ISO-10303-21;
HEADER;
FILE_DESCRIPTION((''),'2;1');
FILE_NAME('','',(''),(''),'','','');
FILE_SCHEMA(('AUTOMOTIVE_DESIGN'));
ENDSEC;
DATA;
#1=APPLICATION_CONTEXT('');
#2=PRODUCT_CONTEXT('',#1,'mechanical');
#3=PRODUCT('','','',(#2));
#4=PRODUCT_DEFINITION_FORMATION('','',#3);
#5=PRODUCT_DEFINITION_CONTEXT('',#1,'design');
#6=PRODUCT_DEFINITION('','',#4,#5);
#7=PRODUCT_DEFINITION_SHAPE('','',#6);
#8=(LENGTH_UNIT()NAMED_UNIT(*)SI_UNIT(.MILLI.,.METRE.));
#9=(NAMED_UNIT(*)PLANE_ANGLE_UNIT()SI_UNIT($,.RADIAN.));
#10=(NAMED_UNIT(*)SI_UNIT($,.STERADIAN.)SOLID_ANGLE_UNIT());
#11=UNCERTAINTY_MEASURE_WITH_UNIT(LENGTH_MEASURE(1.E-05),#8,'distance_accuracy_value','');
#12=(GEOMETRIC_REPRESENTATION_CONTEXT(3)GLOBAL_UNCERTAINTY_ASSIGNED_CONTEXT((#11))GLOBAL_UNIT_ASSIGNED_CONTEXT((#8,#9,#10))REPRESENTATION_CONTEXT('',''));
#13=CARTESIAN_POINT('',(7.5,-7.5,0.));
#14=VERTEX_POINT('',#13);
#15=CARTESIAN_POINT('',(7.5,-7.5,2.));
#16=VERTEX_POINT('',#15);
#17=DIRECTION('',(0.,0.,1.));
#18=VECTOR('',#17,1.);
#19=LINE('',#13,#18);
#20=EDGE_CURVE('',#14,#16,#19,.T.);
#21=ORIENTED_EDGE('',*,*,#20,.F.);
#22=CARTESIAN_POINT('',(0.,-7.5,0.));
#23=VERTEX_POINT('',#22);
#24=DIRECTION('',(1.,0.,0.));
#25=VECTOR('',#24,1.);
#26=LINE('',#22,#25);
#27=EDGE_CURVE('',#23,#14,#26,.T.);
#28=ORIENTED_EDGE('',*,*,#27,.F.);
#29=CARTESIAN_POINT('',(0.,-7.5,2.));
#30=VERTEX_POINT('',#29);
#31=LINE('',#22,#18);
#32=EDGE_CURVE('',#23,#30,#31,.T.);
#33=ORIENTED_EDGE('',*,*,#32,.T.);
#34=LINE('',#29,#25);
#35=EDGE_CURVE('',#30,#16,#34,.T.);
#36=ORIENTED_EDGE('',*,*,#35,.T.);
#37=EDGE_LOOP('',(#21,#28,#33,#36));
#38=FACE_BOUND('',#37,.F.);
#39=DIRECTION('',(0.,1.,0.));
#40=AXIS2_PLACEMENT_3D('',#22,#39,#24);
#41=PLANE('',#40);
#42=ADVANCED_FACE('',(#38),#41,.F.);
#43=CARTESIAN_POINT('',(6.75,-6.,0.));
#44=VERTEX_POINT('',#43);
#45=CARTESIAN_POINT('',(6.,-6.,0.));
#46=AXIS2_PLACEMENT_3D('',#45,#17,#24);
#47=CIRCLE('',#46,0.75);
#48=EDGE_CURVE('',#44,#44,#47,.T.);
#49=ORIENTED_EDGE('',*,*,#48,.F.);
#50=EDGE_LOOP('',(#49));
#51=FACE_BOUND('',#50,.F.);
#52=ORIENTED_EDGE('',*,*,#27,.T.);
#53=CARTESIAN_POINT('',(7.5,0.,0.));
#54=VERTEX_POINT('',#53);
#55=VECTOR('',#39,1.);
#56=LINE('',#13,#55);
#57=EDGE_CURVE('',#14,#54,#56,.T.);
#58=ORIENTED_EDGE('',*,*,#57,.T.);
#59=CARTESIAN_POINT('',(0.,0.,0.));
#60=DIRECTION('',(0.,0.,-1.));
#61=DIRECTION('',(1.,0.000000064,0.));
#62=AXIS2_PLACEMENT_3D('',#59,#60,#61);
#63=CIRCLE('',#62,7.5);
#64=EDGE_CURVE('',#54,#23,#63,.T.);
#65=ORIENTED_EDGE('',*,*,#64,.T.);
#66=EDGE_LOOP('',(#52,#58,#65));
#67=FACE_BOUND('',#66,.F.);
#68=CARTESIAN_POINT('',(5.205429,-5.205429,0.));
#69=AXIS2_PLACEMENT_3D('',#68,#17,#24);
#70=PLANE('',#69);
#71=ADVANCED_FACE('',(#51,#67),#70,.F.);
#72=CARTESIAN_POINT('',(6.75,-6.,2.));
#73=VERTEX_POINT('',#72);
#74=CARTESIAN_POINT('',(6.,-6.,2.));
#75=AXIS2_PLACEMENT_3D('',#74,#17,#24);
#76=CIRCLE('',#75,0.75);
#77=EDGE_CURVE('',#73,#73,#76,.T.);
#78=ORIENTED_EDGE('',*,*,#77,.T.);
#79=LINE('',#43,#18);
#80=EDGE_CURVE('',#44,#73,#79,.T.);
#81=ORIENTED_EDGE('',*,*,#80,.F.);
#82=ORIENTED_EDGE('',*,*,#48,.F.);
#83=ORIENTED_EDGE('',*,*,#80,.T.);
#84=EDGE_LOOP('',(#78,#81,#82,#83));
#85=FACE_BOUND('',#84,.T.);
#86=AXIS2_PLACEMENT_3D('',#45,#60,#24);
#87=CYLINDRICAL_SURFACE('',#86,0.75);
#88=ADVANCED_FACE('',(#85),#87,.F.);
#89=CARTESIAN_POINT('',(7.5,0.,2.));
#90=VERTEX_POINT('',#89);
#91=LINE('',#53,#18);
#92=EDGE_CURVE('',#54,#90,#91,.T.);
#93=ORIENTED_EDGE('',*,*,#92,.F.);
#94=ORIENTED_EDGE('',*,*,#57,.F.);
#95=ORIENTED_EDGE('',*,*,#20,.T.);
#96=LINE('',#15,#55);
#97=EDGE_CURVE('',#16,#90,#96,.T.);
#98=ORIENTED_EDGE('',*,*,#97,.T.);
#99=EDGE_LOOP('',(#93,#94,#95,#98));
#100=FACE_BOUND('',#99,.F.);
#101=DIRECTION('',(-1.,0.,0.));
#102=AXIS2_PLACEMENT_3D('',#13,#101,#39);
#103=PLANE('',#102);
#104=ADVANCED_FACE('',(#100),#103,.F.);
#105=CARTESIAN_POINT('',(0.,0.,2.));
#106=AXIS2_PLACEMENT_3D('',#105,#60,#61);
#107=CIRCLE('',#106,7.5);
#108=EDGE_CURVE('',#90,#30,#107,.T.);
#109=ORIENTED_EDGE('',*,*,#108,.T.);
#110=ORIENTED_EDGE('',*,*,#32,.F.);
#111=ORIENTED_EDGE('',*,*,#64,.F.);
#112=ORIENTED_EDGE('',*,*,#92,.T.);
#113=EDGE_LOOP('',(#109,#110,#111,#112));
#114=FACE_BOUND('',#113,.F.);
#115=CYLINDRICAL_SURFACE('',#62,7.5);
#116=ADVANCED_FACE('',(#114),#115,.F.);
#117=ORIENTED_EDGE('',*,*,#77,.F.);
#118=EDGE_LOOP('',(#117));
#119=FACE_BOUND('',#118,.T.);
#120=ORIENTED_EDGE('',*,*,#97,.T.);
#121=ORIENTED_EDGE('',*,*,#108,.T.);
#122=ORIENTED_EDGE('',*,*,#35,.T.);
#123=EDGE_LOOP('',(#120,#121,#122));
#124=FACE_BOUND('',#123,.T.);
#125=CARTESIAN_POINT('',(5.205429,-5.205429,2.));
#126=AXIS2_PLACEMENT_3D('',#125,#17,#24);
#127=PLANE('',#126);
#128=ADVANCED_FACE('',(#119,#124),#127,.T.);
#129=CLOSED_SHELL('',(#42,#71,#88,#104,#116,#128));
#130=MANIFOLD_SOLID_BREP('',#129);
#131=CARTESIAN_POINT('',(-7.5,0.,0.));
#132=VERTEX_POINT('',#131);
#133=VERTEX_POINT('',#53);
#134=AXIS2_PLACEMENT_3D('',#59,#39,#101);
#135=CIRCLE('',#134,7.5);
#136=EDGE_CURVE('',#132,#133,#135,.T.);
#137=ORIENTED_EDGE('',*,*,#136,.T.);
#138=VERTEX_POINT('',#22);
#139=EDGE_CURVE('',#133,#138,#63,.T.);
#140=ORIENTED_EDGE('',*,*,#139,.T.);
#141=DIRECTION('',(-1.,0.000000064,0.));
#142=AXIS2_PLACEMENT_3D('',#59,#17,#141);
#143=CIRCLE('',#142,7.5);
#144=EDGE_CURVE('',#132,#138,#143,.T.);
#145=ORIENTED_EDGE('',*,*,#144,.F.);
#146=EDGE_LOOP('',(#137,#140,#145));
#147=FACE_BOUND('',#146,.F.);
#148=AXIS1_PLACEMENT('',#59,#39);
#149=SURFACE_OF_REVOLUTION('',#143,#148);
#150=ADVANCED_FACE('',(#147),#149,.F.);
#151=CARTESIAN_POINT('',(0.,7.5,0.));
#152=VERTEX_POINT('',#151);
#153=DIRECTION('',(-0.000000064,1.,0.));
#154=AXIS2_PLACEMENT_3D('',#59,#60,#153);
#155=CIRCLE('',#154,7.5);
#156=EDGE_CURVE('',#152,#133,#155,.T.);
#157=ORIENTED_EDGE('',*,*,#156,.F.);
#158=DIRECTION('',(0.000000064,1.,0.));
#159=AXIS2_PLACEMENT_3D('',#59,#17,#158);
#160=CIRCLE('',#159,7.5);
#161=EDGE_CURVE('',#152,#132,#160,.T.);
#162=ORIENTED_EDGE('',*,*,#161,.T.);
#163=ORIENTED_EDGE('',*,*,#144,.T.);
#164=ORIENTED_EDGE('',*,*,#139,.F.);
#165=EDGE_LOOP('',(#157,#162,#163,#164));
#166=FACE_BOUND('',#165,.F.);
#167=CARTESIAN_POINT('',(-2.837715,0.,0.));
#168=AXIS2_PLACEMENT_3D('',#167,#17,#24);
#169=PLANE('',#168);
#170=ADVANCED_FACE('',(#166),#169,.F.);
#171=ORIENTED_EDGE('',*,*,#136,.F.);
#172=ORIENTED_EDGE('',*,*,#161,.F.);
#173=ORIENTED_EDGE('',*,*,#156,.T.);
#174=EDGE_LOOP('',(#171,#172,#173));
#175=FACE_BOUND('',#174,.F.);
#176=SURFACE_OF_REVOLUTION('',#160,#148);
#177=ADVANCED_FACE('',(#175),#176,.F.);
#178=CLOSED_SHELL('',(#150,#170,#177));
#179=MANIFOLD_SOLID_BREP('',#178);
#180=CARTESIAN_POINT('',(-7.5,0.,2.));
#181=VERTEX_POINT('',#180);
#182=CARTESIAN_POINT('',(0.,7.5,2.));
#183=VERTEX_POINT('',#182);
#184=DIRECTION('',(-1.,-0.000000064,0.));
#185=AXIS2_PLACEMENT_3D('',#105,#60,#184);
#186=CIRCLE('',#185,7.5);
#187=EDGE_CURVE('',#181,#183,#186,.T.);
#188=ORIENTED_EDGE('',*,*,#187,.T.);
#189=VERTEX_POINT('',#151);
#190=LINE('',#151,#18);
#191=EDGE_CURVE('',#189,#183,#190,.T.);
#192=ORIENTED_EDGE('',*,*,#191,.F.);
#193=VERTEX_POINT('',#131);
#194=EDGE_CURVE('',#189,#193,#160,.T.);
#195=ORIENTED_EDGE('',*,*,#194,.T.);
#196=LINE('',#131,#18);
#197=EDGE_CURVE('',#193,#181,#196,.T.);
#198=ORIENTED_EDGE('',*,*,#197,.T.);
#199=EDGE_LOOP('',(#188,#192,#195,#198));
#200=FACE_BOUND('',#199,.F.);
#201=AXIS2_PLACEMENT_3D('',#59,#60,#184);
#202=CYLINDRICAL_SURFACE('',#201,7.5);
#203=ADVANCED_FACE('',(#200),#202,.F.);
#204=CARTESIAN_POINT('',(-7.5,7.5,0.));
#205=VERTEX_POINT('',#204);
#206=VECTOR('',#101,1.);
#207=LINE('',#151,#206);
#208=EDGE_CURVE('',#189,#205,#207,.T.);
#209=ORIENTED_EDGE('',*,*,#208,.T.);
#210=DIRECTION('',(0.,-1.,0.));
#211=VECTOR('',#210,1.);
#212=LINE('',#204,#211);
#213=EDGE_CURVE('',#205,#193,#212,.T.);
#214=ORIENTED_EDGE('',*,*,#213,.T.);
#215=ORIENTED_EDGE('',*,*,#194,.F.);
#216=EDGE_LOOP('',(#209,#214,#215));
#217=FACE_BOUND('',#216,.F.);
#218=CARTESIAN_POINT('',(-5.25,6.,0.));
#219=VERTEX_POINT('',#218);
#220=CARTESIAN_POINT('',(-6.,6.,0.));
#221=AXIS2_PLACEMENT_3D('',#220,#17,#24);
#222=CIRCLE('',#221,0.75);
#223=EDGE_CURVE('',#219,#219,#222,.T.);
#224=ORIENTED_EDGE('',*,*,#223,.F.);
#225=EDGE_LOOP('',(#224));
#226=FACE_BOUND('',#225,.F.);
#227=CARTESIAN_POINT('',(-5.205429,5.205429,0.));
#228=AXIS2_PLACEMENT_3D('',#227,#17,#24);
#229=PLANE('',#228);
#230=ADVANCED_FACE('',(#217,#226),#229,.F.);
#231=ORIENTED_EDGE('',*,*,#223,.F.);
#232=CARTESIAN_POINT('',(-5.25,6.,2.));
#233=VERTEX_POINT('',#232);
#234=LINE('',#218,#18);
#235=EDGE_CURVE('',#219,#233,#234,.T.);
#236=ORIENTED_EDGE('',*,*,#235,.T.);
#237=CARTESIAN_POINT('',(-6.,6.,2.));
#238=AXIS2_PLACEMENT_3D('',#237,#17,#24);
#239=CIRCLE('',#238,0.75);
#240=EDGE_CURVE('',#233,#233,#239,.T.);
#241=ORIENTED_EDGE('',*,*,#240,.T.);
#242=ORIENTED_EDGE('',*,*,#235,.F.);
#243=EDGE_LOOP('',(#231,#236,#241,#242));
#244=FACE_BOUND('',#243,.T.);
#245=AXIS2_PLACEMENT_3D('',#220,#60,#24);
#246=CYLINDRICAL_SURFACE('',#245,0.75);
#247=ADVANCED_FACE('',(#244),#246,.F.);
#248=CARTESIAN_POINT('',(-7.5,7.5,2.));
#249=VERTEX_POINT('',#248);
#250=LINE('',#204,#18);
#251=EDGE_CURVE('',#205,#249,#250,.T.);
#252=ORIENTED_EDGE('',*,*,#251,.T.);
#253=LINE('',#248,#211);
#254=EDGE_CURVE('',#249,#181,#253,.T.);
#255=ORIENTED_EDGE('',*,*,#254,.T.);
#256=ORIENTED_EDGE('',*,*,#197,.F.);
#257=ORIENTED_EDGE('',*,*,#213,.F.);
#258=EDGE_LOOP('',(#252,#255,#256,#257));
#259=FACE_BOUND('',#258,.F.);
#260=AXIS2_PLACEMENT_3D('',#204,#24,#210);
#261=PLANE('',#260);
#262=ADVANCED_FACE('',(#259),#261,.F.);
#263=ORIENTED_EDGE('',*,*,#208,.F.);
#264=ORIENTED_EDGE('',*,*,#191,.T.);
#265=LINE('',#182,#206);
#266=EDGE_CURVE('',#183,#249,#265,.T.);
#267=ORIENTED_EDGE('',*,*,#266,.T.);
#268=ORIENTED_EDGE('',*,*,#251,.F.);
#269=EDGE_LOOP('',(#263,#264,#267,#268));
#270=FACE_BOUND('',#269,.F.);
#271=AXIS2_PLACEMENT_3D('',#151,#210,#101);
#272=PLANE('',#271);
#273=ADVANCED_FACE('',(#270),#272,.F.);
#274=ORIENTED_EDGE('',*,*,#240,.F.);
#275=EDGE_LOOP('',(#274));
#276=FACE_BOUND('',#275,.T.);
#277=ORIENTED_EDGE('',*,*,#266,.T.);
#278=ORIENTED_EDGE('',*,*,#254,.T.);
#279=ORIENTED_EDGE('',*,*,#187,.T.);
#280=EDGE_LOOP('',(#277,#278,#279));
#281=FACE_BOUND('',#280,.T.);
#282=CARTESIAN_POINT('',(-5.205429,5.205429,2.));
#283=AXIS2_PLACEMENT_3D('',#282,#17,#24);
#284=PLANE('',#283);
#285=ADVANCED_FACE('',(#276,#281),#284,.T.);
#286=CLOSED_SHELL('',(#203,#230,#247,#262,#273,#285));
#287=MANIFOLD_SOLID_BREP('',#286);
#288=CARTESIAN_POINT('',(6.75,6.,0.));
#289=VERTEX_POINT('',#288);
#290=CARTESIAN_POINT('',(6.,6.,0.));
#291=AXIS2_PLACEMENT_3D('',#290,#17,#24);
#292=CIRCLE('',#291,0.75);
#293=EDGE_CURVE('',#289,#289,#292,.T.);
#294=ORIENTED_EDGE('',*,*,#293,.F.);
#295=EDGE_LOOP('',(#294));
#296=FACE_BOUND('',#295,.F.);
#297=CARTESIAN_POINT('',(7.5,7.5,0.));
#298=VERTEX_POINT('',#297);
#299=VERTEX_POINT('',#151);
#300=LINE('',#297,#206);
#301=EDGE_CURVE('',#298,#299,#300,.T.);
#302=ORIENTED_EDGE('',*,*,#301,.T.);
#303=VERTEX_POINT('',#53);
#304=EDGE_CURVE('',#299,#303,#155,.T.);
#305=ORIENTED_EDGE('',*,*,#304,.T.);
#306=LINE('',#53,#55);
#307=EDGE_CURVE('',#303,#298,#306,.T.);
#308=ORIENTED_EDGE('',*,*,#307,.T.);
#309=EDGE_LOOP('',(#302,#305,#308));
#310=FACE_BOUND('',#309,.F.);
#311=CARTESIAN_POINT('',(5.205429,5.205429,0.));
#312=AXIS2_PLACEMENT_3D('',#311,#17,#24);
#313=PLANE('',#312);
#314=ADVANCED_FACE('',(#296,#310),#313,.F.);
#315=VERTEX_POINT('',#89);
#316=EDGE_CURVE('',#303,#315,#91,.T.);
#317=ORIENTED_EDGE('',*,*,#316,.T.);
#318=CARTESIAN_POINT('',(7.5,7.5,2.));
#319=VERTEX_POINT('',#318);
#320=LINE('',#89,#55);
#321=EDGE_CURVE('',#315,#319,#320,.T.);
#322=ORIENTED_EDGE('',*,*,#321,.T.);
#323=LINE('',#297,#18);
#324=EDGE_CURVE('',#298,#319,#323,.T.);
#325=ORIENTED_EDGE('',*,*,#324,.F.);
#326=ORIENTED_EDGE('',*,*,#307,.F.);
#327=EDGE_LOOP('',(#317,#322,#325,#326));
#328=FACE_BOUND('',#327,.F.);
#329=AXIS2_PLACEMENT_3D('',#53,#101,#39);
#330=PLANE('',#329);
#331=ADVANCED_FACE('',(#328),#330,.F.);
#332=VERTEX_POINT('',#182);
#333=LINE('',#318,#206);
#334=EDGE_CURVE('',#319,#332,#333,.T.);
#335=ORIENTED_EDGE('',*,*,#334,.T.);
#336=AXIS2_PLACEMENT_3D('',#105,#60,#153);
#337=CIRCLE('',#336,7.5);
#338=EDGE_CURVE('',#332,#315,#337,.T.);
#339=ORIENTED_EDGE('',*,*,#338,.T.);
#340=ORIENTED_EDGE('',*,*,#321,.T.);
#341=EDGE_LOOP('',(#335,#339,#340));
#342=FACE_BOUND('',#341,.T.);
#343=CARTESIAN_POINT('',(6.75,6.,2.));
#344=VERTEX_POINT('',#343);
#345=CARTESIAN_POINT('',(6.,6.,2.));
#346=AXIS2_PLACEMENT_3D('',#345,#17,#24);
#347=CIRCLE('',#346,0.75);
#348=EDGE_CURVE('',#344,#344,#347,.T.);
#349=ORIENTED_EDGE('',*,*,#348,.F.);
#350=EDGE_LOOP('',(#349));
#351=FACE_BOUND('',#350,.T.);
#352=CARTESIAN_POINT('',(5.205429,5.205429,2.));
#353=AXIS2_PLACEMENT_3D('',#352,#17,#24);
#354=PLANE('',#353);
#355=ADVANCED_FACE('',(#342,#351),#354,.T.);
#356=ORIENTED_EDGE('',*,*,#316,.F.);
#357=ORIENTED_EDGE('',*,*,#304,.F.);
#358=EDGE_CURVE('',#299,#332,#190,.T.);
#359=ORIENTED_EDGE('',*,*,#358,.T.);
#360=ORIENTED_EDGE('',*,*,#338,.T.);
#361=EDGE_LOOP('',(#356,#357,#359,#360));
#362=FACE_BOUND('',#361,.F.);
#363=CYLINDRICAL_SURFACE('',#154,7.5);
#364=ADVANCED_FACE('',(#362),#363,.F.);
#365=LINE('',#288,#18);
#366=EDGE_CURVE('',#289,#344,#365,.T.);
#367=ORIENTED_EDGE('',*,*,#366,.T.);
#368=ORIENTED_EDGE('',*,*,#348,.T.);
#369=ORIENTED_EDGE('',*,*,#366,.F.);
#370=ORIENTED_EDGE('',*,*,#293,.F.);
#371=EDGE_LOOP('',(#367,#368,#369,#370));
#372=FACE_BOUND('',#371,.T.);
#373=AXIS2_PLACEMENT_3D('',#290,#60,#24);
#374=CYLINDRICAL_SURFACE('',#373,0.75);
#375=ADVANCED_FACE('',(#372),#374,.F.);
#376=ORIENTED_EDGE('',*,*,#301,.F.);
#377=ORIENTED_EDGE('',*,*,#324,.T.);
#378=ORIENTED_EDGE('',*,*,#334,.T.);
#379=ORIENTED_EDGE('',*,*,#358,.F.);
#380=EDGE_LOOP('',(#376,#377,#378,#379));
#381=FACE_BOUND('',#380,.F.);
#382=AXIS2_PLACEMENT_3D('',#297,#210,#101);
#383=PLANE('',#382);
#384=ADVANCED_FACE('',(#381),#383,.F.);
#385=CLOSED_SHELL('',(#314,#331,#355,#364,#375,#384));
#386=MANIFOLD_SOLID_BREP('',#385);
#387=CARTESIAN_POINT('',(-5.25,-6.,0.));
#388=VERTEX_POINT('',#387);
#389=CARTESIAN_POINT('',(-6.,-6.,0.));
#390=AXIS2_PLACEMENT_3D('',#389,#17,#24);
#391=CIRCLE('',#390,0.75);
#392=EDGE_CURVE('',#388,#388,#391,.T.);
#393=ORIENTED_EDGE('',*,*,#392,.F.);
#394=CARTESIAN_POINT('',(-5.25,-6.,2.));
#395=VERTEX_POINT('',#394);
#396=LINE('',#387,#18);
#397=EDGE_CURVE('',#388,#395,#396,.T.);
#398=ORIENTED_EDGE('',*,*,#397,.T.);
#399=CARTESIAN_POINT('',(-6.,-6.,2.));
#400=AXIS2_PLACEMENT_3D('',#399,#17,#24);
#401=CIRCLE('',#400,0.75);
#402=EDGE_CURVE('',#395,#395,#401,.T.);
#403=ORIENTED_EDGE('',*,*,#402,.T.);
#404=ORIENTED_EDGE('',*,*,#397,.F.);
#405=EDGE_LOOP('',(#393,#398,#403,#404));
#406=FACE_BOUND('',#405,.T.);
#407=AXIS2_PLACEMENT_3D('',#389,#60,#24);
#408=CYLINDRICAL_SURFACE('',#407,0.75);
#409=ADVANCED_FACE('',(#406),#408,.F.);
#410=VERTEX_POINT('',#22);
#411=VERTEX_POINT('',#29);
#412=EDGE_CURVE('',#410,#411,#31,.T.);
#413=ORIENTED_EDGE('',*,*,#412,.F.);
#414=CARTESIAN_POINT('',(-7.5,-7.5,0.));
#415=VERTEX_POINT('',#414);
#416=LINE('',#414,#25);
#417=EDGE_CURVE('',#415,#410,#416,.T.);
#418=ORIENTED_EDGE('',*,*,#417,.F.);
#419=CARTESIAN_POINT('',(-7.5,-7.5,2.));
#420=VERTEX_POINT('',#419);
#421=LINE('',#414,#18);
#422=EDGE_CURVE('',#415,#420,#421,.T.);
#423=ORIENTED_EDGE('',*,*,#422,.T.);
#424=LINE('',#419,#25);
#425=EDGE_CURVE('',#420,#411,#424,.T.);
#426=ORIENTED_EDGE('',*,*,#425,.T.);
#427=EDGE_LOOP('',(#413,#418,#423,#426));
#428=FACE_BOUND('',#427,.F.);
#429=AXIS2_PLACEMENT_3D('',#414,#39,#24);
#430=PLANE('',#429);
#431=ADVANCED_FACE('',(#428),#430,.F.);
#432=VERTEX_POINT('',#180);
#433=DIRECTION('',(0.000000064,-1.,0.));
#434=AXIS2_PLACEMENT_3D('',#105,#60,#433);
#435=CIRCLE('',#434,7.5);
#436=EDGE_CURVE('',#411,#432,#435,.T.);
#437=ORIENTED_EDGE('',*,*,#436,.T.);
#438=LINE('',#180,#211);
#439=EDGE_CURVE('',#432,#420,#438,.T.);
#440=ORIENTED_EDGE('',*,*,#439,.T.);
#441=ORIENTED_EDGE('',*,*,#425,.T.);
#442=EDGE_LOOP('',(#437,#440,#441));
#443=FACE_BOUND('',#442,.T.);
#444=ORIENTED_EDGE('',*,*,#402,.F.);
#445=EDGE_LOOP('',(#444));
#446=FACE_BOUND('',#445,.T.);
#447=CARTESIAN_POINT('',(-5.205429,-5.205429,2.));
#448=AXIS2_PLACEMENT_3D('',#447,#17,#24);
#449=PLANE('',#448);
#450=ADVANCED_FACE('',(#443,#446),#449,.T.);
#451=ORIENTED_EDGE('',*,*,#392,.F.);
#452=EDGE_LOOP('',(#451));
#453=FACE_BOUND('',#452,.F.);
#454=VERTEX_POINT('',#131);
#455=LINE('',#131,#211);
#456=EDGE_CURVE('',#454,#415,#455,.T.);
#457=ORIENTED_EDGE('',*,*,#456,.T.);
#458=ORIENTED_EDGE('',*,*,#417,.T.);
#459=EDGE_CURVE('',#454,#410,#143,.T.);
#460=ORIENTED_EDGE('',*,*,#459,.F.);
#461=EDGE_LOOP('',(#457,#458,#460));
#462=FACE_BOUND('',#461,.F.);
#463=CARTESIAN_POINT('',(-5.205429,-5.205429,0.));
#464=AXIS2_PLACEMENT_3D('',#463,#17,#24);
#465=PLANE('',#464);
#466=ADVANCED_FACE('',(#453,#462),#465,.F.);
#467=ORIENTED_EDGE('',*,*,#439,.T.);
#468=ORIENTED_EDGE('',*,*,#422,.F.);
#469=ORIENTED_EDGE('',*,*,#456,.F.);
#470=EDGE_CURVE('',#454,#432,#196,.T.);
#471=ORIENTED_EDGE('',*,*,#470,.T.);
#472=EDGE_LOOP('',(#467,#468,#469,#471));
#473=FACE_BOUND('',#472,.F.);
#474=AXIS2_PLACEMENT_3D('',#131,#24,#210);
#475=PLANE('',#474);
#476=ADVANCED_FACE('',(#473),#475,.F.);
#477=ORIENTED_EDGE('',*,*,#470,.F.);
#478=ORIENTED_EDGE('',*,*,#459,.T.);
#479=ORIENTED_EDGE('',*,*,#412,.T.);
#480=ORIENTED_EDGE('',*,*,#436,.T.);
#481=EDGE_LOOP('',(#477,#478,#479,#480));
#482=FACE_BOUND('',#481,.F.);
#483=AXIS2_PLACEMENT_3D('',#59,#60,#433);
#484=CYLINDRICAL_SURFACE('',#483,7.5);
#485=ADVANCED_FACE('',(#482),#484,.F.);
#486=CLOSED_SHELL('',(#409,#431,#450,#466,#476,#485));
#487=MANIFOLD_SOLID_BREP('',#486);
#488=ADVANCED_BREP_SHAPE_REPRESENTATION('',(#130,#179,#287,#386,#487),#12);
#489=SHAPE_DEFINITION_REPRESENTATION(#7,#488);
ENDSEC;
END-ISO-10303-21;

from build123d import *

# Parameters (mm, degrees)
F1_ANGLE = -180
F0_R     = 0.75
F2_DEPTH = 2


with BuildPart() as f1:
    # F0 (on Top) → F1 (revolve)
    with BuildSketch(Plane.XY):
        with BuildLine():
            ThreePointArc((-7.5, 0), (-5.303301, -5.303301), (0, -7.5))
            Line((0, -7.5), (0, 7.5))
            ThreePointArc((0, 7.5), (-5.303301, 5.303301), (-7.5, 0))
        make_face()
    revolve(axis=Axis((0, 0, 0), (0, -1, 0)), revolution_arc=F1_ANGLE)

    # F0 (on Top) → F2 (join)
    with BuildSketch(Plane.XY):
        with BuildLine():
            Line((-7.5, 7.5), (-7.5, 0))
            ThreePointArc((-7.5, 0), (-5.303301, 5.303301), (0, 7.5))
            Line((0, 7.5), (-7.5, 7.5))
        make_face()
        with Locations((-6, 6)):
            Circle(F0_R, mode=Mode.SUBTRACT)
        with BuildLine():
            Line((-7.5, -7.5), (0, -7.5))
            ThreePointArc((0, -7.5), (-5.303301, -5.303301), (-7.5, 0))
            Line((-7.5, 0), (-7.5, -7.5))
        make_face()
        with Locations((-6, -6)):
            Circle(F0_R, mode=Mode.SUBTRACT)
        with BuildLine():
            Line((0, -7.5), (7.5, -7.5))
            Line((7.5, -7.5), (7.5, 0))
            ThreePointArc((7.5, 0), (5.303301, -5.303301), (0, -7.5))
        make_face()
        with Locations((6, -6)):
            Circle(F0_R, mode=Mode.SUBTRACT)
        with BuildLine():
            ThreePointArc((0, 7.5), (5.303301, 5.303301), (7.5, 0))
            Line((7.5, 0), (7.5, 7.5))
            Line((7.5, 7.5), (0, 7.5))
        make_face()
        with Locations((6, 6)):
            Circle(F0_R, mode=Mode.SUBTRACT)
    extrude(amount=F2_DEPTH)


solid = f1.part
